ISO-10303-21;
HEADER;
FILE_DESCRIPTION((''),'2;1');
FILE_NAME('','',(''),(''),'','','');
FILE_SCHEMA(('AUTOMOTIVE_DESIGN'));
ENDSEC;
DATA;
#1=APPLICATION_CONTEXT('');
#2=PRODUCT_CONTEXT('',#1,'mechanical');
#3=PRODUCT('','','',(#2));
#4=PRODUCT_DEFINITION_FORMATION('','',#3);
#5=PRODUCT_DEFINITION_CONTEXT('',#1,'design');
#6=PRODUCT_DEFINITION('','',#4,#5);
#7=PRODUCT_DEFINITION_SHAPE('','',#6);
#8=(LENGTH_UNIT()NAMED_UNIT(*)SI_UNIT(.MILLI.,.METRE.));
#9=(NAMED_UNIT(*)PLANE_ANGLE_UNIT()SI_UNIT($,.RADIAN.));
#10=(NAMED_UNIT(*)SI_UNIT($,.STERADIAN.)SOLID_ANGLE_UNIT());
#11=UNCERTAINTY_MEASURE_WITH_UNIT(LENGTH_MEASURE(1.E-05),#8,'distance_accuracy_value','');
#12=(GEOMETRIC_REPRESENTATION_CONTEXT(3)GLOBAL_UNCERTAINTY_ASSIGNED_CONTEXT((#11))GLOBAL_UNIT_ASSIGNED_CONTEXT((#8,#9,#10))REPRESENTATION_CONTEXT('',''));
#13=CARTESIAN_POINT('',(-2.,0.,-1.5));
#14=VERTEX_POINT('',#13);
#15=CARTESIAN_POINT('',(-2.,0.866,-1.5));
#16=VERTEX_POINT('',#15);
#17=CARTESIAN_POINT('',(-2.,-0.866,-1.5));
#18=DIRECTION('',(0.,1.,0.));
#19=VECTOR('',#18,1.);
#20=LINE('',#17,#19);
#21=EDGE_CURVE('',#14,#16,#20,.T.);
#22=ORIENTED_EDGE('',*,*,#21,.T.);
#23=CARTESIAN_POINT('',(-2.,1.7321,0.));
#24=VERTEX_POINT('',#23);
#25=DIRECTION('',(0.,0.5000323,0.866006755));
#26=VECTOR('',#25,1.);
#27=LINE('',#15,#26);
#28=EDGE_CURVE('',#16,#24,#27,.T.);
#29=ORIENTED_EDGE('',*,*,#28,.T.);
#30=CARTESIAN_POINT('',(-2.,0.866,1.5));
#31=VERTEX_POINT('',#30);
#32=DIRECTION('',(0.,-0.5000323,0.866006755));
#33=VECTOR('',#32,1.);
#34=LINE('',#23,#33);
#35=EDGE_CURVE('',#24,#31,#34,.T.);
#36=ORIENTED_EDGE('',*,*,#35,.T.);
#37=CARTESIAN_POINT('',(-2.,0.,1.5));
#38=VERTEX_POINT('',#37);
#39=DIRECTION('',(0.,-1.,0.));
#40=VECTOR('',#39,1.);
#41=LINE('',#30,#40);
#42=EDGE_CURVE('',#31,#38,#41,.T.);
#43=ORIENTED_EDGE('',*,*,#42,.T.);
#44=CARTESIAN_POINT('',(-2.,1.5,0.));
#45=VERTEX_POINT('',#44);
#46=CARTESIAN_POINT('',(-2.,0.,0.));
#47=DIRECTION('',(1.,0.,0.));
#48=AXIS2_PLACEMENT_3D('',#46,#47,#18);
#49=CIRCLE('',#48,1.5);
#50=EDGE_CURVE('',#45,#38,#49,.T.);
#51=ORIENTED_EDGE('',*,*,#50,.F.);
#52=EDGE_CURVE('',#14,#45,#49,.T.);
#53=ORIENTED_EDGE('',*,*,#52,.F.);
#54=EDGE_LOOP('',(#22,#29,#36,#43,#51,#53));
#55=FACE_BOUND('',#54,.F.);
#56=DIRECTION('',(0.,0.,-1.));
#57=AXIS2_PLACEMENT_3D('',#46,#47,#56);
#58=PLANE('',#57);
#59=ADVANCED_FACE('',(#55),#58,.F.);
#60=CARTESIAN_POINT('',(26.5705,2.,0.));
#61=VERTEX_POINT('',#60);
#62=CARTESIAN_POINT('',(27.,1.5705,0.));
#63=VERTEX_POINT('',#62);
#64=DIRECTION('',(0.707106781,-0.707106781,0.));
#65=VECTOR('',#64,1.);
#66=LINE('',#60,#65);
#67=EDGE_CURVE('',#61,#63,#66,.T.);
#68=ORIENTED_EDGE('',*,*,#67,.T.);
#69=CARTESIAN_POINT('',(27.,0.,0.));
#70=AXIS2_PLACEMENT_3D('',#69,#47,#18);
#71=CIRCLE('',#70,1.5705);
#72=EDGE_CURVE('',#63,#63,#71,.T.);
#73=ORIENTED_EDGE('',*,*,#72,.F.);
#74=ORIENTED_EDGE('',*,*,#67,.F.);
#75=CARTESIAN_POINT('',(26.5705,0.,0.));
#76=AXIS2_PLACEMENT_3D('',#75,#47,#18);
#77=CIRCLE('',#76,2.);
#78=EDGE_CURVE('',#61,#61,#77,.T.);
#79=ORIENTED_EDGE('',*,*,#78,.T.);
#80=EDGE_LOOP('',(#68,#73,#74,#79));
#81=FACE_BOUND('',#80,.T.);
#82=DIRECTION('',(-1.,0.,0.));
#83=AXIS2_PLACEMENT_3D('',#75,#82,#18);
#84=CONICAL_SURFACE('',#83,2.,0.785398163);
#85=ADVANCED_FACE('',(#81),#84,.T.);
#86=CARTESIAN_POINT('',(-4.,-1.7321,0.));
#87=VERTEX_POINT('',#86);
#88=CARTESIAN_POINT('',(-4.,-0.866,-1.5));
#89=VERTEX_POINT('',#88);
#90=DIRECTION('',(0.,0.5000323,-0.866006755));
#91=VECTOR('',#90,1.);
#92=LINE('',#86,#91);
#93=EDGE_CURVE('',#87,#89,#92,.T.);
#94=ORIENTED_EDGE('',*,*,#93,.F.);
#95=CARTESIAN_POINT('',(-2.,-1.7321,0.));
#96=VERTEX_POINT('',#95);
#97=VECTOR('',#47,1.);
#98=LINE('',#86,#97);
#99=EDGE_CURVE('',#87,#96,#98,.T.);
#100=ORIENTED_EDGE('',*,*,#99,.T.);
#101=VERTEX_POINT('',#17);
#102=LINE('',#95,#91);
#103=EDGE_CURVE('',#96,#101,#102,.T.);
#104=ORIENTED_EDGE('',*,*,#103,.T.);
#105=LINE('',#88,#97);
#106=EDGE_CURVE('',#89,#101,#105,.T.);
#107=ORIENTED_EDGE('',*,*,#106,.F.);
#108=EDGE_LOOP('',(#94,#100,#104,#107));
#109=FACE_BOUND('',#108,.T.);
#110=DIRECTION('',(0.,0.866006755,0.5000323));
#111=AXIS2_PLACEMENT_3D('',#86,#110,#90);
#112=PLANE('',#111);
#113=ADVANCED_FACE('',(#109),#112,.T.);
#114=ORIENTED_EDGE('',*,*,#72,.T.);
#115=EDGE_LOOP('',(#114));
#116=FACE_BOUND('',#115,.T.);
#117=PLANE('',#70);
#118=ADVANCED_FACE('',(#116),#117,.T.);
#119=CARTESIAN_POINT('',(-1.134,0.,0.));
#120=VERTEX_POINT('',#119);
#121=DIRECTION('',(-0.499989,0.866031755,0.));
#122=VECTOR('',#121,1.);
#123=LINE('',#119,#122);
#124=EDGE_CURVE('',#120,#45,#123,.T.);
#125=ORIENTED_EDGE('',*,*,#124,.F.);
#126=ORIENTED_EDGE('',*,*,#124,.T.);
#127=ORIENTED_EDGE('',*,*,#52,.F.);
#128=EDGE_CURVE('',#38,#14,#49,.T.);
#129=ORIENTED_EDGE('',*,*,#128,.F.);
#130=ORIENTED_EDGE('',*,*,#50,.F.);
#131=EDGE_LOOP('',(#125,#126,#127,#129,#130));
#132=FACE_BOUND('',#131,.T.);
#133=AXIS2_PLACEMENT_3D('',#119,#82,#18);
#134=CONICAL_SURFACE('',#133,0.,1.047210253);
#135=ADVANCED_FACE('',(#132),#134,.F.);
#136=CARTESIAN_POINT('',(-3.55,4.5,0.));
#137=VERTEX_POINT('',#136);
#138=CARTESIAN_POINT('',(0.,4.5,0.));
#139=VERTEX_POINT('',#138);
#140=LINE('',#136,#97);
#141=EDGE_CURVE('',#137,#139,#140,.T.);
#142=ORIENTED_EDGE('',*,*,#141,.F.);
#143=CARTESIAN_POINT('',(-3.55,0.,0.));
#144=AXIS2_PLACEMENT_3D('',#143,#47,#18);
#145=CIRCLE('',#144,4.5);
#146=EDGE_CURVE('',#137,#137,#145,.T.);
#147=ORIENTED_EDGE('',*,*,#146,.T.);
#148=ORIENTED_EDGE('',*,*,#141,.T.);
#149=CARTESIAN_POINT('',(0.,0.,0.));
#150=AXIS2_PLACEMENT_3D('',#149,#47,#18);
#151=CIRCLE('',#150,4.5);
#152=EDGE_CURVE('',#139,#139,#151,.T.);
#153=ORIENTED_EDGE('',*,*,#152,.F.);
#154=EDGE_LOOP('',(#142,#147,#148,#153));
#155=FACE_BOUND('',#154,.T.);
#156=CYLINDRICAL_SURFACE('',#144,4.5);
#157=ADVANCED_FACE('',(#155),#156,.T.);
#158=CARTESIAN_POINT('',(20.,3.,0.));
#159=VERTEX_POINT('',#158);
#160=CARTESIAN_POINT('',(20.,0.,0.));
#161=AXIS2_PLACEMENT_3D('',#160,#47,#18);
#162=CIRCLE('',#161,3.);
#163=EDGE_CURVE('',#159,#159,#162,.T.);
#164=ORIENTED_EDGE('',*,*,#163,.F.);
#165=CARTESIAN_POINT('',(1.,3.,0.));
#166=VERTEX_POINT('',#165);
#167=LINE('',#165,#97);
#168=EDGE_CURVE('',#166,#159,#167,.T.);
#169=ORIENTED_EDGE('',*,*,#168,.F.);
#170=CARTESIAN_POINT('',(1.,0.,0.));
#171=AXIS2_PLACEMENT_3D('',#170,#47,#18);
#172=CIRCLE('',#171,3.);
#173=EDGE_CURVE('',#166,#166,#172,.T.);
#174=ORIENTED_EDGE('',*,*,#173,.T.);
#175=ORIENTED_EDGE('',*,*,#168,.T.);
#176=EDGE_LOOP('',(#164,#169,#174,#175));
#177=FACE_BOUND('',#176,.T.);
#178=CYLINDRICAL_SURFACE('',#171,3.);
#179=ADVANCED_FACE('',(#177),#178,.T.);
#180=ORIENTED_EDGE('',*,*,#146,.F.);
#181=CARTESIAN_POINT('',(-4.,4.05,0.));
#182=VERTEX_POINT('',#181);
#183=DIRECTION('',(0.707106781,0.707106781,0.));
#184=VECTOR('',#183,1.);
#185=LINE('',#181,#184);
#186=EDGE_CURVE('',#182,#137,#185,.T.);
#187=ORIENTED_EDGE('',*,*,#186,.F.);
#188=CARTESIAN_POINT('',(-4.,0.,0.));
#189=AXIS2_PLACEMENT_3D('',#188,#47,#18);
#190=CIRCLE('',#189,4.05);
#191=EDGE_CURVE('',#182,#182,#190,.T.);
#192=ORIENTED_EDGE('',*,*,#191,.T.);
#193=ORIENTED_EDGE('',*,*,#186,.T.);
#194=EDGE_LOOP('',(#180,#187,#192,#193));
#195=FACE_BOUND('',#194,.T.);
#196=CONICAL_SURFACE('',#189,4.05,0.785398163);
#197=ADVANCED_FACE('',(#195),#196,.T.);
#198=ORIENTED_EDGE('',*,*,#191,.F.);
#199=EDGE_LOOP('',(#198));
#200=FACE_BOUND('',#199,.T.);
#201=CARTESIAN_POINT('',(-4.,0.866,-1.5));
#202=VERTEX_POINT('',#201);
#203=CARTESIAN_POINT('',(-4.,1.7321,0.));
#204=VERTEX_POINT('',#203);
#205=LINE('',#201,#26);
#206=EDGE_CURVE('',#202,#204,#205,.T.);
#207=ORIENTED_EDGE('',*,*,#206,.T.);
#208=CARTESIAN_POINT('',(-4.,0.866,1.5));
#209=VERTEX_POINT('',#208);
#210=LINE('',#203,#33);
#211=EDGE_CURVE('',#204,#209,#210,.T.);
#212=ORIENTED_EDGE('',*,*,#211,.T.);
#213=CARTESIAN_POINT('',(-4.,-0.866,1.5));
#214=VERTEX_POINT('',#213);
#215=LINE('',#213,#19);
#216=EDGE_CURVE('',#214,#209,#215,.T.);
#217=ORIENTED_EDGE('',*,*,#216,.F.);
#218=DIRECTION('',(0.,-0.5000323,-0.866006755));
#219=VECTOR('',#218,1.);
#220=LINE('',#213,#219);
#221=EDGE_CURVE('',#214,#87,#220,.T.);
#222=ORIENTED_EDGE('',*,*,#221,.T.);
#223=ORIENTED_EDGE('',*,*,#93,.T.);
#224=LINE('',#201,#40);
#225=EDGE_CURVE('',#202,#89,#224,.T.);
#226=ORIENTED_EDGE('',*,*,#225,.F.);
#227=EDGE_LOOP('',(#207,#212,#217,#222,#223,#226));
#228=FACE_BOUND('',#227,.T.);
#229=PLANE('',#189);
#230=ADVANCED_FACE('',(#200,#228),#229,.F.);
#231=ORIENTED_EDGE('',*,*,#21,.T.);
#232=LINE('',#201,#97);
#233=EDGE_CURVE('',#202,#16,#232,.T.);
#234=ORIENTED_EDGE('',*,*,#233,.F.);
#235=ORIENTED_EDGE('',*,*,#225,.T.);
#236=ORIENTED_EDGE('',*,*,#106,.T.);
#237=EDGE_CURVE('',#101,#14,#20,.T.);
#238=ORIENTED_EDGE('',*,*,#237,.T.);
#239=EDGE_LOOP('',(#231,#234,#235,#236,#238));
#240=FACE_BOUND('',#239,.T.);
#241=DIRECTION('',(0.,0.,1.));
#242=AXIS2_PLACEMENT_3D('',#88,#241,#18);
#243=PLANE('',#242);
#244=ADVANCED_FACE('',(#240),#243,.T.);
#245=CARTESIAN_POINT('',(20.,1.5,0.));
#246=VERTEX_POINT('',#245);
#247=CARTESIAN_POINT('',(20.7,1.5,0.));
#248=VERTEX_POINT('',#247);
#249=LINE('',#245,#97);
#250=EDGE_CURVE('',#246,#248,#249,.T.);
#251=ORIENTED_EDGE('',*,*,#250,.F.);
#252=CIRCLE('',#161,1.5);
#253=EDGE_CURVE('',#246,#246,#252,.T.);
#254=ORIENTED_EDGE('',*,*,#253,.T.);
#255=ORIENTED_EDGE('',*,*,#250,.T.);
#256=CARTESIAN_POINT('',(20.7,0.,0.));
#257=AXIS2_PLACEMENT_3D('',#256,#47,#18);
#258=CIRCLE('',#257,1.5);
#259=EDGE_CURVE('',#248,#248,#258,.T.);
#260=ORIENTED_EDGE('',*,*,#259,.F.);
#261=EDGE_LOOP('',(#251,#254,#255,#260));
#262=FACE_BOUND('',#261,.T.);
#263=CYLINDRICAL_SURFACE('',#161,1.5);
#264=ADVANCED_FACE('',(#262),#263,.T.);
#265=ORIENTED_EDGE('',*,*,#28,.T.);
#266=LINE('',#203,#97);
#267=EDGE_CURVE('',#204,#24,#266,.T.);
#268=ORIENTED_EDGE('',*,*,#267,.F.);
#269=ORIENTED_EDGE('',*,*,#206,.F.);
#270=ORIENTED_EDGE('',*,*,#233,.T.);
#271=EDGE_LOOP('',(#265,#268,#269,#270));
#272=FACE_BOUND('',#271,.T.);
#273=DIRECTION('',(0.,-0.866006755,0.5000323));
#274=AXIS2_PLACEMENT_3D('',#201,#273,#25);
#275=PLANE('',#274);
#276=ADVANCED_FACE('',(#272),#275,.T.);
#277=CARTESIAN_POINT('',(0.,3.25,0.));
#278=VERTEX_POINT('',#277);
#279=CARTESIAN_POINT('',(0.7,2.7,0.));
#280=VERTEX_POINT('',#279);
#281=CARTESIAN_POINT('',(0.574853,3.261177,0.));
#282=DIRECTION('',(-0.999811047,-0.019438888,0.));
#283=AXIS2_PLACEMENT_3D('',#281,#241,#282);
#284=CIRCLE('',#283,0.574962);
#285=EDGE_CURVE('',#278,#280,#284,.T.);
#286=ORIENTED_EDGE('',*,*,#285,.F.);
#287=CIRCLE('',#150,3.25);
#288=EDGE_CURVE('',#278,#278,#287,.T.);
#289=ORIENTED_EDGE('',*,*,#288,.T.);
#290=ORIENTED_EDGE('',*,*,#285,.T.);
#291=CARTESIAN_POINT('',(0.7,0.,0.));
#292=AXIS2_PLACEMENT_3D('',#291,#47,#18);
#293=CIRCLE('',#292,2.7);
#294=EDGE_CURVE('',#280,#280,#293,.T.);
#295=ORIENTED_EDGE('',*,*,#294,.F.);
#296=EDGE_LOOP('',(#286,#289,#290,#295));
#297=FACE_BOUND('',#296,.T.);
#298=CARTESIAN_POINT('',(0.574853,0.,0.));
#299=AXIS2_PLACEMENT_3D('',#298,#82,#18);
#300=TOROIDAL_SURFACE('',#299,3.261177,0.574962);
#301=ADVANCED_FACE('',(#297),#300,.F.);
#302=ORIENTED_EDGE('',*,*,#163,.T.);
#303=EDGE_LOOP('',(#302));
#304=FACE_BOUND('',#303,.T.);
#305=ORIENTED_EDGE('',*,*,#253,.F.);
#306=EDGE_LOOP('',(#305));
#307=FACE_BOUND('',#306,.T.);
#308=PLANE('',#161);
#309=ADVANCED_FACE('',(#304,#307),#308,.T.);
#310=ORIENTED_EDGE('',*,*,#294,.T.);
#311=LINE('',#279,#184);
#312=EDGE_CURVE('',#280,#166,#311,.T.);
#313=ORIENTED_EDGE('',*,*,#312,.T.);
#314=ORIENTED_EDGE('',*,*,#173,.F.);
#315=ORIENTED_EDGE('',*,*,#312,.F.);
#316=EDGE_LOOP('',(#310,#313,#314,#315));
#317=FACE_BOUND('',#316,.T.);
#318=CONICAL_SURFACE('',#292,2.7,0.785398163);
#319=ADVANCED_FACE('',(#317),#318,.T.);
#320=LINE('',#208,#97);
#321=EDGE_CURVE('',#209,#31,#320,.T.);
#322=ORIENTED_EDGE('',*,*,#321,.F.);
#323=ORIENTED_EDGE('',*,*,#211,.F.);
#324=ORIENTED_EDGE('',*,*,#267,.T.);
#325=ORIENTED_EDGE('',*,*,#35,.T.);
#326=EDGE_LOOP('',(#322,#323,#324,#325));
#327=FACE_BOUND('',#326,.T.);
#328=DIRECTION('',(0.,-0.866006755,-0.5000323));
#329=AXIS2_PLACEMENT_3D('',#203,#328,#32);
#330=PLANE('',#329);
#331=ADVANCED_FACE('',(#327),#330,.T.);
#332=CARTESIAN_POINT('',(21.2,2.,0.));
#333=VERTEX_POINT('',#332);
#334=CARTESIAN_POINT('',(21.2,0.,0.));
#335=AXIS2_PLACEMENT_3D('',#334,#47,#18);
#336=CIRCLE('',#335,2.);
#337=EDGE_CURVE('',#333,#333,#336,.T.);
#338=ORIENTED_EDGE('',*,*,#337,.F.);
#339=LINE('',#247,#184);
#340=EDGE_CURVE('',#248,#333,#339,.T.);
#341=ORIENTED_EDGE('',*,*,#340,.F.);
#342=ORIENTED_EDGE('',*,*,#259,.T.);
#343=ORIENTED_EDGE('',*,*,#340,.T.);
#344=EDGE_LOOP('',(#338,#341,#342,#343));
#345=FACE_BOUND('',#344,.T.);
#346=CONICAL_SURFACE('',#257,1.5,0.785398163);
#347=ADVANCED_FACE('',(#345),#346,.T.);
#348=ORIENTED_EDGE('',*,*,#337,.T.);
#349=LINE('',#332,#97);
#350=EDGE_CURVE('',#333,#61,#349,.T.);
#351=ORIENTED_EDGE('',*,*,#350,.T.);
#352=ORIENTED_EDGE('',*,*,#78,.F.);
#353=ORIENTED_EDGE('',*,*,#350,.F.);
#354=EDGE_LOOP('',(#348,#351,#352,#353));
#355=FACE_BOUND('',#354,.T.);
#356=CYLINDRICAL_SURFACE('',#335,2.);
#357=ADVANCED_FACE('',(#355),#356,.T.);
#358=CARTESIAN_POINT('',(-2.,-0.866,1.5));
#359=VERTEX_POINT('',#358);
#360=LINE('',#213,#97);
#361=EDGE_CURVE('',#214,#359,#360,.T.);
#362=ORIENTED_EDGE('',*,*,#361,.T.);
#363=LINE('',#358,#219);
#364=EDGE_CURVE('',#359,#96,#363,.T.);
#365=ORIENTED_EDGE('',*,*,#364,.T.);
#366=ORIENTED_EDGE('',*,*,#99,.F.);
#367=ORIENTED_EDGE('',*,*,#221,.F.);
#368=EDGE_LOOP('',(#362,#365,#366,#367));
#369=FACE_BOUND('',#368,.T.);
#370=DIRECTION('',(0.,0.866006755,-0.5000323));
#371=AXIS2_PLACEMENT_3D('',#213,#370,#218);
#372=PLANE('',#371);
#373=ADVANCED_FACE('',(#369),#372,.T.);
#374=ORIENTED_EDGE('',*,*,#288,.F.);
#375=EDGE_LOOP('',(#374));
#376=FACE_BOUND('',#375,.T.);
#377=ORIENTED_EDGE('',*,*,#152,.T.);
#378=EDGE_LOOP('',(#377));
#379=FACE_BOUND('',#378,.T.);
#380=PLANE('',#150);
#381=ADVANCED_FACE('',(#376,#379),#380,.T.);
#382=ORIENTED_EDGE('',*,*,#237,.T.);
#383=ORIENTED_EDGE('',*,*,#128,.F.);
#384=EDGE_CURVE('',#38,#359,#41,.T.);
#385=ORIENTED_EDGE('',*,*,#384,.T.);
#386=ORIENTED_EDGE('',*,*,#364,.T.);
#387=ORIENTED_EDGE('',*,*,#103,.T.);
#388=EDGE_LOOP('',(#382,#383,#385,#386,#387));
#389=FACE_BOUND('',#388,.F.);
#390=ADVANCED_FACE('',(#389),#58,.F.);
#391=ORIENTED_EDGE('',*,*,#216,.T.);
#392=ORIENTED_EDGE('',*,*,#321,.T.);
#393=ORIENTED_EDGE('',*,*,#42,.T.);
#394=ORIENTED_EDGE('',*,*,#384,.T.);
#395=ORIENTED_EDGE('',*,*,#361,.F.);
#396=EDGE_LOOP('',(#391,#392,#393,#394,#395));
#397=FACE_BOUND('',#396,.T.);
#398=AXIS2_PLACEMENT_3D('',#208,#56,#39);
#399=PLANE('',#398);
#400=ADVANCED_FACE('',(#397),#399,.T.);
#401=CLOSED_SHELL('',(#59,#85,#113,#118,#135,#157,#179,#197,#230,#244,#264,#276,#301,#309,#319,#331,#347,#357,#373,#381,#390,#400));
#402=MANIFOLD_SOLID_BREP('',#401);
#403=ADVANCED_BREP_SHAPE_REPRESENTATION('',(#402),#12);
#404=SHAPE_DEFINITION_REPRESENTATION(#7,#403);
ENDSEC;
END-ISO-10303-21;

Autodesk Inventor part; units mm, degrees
ref_plane "YZ Plane" through (0, 0, 0) normal (1, 0, 0) x (0, 1, 0)
ref_plane "XZ Plane" through (0, 0, 0) normal (0, 1, 0) x (-1, 0, 0)
ref_plane "XY Plane" through (0, 0, 0) normal (0, 0, 1) x (1, 0, 0)
sketch "Sketch_7" plane through (0, 0, 0) normal (0, 0, 1) x (1, 0, 0)
  line L0 (27, 0) -> (-1.134, 0)
  line L1 (-1.134, 0) -> (-2, 1.5)
  line L2 (-2, 1.5) -> (-4, 1.5)
  line L3 (-4, 1.5) -> (-4, 4.05)
  line L4 (-4, 4.05) -> (-3.55, 4.5)
  line L5 (-3.55, 4.5) -> (0, 4.5)
  line L6 (0, 4.5) -> (0, 3.25)
  arc A0 (0, 3.25) -> (0.7, 2.7) centre (0.5749, 3.2612) ccw
  line L7 (0.7, 2.7) -> (1, 3)
  line L8 (1, 3) -> (20, 3)
  line L9 (20, 3) -> (20, 1.5)
  line L10 (20, 1.5) -> (20.7, 1.5)
  line L11 (20.7, 1.5) -> (21.2, 2)
  line L12 (21.2, 2) -> (26.5705, 2)
  line L13 (26.5705, 2) -> (27, 1.5705)
  line L14 (27, 1.5705) -> (27, 0)
  line L15 (27, 0) -> (-1.134, 0)
revolve "Revolution1" add sketch "Sketch_7" angle 360 about axis through (27, 0, 0) along (1, 0, 0)
thread "Thread1" size "M4x0.7" class "6g" standard "ISO Metric profile" full length
sketch "Sketch_4" plane through (-4, 0, 0) normal (1, 0, 0) x (0, 0, -1)
  line L0 (-1.5, -0.866) -> (0, -1.7321)
  line L1 (0, -1.7321) -> (1.5, -0.866)
  line L2 (1.5, -0.866) -> (1.5, 0.866)
  line L3 (1.5, 0.866) -> (0, 1.7321)
  line L4 (0, 1.7321) -> (-1.5, 0.866)
  line L5 (-1.5, 0.866) -> (-1.5, -0.866)
extrude "Extrusion1" cut sketch "Sketch_4" along normal blind 2
properties part number "MSB6-20" material "鋼、炭素鋼"
